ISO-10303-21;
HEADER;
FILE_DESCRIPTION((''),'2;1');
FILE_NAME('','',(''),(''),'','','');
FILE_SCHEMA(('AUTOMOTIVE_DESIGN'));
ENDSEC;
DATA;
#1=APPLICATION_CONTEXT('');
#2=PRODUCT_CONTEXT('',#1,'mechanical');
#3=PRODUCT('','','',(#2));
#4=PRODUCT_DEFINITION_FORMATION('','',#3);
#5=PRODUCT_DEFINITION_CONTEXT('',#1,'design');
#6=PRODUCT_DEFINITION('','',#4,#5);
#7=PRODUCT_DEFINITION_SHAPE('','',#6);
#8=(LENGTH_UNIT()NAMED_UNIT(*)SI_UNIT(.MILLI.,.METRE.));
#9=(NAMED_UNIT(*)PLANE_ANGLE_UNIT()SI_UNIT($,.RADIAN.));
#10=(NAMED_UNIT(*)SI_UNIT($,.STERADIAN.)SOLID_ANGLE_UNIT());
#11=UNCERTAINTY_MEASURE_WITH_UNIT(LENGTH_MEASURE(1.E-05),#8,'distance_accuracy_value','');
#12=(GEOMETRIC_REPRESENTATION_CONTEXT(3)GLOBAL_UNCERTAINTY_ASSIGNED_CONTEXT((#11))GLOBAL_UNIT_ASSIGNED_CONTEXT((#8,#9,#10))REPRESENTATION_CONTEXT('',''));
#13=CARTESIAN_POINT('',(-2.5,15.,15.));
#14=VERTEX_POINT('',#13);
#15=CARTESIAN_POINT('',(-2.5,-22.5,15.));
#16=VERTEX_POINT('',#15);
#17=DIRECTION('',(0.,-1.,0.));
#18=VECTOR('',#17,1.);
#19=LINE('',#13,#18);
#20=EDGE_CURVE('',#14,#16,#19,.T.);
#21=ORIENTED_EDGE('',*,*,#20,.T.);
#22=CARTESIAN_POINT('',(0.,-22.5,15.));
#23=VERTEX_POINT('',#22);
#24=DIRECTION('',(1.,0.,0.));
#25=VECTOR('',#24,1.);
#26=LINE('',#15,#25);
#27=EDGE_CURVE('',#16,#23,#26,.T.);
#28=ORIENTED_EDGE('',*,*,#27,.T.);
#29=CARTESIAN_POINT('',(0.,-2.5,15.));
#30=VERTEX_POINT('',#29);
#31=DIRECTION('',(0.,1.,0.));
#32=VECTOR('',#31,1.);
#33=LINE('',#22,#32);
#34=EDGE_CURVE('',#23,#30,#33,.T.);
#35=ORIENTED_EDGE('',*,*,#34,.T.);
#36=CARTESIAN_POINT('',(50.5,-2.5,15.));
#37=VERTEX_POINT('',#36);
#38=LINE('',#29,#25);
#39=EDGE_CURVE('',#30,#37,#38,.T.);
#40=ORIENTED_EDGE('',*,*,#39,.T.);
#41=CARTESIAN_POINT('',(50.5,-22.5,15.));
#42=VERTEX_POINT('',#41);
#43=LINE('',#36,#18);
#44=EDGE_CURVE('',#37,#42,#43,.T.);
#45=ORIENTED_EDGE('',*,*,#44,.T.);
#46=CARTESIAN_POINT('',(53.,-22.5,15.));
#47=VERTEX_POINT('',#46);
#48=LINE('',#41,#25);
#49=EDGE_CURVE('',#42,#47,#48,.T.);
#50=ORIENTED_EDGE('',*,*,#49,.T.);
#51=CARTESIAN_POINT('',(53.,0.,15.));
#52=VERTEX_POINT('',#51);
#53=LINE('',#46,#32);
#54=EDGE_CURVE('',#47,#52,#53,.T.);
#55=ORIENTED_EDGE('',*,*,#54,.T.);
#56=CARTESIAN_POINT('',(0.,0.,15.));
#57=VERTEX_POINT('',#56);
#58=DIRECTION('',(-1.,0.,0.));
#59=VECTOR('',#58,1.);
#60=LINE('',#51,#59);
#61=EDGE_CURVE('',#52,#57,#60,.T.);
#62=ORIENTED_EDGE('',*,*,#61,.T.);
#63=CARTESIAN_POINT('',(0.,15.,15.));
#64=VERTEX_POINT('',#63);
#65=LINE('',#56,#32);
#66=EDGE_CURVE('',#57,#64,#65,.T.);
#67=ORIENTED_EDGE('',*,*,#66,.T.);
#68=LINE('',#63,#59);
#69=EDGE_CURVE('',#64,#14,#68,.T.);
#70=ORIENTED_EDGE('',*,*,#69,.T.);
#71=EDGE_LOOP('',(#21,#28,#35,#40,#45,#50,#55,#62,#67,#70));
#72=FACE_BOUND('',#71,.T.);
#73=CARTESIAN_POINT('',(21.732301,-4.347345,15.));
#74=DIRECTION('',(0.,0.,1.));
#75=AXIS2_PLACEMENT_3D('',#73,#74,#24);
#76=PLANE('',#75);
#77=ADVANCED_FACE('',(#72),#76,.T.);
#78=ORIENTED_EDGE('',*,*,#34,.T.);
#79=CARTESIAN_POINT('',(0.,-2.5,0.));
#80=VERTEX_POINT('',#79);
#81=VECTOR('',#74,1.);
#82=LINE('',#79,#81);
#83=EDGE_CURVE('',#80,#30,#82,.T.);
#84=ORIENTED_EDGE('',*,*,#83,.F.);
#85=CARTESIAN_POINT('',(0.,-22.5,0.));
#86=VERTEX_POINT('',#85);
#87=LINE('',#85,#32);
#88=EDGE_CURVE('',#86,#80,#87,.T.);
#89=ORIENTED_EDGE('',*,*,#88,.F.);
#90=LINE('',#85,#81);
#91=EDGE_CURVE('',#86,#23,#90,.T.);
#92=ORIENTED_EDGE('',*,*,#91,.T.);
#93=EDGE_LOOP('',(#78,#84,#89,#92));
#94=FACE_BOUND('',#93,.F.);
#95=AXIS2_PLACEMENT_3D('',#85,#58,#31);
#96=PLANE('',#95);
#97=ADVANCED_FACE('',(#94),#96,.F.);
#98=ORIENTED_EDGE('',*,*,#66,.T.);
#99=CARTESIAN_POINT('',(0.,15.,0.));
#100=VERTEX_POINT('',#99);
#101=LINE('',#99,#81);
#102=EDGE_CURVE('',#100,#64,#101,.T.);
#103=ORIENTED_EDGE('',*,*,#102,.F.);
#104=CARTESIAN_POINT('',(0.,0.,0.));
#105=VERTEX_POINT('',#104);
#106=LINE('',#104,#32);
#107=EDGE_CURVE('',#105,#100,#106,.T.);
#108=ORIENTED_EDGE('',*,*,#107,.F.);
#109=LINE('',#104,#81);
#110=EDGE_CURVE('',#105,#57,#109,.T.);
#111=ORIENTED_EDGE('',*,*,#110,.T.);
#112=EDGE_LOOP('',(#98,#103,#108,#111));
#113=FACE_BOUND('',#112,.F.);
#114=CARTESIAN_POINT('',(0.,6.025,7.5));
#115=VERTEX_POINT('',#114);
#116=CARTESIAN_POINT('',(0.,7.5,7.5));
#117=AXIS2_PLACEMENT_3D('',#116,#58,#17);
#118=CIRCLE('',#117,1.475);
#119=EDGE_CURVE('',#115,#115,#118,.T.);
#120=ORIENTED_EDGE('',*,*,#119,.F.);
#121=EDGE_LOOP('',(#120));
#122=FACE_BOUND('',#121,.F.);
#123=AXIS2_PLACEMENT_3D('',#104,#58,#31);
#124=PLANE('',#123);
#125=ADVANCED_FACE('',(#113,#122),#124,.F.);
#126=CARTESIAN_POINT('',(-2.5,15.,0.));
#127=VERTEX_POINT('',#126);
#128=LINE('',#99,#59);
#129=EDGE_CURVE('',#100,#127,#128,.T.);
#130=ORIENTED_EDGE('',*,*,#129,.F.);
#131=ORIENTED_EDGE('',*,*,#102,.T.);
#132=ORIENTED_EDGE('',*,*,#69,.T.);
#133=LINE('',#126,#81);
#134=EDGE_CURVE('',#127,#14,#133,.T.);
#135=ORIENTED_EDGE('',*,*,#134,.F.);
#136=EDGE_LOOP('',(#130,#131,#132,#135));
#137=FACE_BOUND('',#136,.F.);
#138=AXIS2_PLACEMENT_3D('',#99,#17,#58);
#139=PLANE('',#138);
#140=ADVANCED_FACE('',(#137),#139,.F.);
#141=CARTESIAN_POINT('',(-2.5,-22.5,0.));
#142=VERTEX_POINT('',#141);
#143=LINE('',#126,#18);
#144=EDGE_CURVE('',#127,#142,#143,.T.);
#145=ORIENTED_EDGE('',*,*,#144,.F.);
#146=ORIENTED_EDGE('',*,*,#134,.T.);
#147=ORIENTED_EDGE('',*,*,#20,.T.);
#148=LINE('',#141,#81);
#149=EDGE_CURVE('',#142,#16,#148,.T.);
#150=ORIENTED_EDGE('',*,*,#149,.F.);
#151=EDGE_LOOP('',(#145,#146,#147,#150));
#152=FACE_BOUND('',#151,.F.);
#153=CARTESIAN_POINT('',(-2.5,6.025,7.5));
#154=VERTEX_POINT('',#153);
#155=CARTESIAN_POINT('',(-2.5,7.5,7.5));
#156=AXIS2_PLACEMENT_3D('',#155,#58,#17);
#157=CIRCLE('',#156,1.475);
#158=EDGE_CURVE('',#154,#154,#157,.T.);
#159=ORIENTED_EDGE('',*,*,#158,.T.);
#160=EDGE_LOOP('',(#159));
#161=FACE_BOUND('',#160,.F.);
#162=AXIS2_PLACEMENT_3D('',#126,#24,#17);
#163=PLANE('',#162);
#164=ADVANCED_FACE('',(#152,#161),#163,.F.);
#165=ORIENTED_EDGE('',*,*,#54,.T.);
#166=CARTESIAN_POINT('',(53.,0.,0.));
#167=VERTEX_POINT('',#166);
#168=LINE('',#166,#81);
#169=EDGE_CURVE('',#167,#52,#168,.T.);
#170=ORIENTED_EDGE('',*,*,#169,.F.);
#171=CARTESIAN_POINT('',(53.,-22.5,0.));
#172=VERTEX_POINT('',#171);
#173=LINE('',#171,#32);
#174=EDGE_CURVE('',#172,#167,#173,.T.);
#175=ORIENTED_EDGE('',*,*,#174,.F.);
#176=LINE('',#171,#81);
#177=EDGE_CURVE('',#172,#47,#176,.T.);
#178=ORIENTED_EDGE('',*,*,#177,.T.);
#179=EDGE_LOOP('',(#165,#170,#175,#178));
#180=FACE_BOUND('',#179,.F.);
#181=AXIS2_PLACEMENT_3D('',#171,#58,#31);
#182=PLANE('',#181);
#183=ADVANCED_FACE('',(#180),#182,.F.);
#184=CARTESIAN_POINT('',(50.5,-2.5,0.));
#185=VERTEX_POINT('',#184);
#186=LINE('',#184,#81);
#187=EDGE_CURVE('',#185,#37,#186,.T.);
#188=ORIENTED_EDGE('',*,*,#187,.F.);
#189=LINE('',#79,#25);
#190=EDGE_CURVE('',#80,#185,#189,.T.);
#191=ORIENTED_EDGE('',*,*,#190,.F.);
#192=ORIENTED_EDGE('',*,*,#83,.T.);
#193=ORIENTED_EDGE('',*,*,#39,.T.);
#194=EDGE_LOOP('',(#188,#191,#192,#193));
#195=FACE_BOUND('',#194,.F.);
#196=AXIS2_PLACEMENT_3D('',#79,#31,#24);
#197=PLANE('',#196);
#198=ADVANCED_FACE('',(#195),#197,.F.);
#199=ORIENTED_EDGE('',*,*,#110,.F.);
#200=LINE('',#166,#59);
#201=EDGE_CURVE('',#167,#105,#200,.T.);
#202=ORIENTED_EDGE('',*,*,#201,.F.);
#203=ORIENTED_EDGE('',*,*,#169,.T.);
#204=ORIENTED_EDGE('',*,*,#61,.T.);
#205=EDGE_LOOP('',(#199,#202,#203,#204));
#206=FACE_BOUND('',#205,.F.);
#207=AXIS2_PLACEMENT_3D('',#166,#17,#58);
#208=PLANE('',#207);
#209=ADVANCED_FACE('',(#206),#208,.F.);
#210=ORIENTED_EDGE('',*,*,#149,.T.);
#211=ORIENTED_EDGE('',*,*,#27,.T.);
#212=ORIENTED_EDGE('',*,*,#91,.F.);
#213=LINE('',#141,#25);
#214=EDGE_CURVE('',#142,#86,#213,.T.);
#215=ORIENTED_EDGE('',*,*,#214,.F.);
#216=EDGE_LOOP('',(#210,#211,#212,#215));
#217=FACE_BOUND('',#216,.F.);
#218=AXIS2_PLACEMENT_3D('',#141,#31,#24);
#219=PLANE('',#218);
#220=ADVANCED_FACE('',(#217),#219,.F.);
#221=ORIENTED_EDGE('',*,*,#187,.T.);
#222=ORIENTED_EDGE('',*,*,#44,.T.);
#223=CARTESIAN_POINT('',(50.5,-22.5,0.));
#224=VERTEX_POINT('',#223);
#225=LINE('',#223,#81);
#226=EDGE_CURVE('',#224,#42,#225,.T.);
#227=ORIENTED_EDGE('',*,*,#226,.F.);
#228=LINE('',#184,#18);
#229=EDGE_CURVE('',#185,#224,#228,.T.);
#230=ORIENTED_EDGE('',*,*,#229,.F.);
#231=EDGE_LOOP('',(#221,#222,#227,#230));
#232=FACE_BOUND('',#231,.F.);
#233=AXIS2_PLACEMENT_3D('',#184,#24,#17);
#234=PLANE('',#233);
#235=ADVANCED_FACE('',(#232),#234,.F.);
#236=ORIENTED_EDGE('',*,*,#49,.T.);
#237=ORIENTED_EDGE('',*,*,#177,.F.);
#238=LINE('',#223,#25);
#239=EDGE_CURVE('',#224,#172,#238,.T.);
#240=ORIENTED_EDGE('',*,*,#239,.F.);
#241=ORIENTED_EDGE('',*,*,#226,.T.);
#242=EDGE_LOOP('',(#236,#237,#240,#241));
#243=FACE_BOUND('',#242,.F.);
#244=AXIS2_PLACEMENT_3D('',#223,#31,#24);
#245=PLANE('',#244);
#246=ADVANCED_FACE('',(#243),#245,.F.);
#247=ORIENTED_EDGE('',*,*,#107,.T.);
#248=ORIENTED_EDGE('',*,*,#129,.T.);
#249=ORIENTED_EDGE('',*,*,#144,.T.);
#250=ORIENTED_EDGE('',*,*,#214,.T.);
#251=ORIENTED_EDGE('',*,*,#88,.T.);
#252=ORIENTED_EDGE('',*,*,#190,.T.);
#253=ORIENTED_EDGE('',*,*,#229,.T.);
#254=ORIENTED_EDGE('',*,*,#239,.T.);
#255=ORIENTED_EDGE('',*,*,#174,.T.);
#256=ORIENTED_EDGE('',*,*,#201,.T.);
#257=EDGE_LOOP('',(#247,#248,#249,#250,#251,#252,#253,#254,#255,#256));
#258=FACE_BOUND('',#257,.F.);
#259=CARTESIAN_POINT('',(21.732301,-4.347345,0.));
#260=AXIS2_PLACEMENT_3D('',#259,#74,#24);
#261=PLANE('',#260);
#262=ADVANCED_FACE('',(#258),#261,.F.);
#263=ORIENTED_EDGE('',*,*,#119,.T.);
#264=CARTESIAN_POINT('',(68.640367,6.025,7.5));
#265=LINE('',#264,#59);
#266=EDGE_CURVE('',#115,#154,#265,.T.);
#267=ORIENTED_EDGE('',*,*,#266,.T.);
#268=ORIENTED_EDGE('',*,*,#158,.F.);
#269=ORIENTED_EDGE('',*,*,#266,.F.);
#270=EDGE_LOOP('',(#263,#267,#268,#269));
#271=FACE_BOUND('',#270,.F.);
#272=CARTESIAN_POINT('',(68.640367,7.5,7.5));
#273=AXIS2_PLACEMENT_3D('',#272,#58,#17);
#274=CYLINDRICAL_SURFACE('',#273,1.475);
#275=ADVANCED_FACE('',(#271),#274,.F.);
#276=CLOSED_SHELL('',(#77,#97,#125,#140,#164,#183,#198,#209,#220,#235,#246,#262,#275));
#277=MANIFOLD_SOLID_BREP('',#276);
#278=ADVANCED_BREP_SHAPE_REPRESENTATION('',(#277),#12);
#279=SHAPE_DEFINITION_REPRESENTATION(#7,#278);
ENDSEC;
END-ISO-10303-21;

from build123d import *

# Parameters (mm, degrees)
F1_DEPTH = 15
F3_D     = 2.95


with BuildPart() as f1:
    # F0 (on Top) → F1 (new body)
    with BuildSketch(Plane.XY):
        Polygon((53, 0), (0, 0), (0, 15), (-2.5, 15), (-2.5, -22.5), (0, -22.5), (0, -2.5), (50.5, -2.5), (50.5, -22.5), (53, -22.5), align=None)
    extrude(amount=F1_DEPTH)

    # F3 (through all)
    with Locations(Plane.YZ):
        with Locations((7.5, 7.5)):
            Hole(F3_D / 2)


solid = f1.part
